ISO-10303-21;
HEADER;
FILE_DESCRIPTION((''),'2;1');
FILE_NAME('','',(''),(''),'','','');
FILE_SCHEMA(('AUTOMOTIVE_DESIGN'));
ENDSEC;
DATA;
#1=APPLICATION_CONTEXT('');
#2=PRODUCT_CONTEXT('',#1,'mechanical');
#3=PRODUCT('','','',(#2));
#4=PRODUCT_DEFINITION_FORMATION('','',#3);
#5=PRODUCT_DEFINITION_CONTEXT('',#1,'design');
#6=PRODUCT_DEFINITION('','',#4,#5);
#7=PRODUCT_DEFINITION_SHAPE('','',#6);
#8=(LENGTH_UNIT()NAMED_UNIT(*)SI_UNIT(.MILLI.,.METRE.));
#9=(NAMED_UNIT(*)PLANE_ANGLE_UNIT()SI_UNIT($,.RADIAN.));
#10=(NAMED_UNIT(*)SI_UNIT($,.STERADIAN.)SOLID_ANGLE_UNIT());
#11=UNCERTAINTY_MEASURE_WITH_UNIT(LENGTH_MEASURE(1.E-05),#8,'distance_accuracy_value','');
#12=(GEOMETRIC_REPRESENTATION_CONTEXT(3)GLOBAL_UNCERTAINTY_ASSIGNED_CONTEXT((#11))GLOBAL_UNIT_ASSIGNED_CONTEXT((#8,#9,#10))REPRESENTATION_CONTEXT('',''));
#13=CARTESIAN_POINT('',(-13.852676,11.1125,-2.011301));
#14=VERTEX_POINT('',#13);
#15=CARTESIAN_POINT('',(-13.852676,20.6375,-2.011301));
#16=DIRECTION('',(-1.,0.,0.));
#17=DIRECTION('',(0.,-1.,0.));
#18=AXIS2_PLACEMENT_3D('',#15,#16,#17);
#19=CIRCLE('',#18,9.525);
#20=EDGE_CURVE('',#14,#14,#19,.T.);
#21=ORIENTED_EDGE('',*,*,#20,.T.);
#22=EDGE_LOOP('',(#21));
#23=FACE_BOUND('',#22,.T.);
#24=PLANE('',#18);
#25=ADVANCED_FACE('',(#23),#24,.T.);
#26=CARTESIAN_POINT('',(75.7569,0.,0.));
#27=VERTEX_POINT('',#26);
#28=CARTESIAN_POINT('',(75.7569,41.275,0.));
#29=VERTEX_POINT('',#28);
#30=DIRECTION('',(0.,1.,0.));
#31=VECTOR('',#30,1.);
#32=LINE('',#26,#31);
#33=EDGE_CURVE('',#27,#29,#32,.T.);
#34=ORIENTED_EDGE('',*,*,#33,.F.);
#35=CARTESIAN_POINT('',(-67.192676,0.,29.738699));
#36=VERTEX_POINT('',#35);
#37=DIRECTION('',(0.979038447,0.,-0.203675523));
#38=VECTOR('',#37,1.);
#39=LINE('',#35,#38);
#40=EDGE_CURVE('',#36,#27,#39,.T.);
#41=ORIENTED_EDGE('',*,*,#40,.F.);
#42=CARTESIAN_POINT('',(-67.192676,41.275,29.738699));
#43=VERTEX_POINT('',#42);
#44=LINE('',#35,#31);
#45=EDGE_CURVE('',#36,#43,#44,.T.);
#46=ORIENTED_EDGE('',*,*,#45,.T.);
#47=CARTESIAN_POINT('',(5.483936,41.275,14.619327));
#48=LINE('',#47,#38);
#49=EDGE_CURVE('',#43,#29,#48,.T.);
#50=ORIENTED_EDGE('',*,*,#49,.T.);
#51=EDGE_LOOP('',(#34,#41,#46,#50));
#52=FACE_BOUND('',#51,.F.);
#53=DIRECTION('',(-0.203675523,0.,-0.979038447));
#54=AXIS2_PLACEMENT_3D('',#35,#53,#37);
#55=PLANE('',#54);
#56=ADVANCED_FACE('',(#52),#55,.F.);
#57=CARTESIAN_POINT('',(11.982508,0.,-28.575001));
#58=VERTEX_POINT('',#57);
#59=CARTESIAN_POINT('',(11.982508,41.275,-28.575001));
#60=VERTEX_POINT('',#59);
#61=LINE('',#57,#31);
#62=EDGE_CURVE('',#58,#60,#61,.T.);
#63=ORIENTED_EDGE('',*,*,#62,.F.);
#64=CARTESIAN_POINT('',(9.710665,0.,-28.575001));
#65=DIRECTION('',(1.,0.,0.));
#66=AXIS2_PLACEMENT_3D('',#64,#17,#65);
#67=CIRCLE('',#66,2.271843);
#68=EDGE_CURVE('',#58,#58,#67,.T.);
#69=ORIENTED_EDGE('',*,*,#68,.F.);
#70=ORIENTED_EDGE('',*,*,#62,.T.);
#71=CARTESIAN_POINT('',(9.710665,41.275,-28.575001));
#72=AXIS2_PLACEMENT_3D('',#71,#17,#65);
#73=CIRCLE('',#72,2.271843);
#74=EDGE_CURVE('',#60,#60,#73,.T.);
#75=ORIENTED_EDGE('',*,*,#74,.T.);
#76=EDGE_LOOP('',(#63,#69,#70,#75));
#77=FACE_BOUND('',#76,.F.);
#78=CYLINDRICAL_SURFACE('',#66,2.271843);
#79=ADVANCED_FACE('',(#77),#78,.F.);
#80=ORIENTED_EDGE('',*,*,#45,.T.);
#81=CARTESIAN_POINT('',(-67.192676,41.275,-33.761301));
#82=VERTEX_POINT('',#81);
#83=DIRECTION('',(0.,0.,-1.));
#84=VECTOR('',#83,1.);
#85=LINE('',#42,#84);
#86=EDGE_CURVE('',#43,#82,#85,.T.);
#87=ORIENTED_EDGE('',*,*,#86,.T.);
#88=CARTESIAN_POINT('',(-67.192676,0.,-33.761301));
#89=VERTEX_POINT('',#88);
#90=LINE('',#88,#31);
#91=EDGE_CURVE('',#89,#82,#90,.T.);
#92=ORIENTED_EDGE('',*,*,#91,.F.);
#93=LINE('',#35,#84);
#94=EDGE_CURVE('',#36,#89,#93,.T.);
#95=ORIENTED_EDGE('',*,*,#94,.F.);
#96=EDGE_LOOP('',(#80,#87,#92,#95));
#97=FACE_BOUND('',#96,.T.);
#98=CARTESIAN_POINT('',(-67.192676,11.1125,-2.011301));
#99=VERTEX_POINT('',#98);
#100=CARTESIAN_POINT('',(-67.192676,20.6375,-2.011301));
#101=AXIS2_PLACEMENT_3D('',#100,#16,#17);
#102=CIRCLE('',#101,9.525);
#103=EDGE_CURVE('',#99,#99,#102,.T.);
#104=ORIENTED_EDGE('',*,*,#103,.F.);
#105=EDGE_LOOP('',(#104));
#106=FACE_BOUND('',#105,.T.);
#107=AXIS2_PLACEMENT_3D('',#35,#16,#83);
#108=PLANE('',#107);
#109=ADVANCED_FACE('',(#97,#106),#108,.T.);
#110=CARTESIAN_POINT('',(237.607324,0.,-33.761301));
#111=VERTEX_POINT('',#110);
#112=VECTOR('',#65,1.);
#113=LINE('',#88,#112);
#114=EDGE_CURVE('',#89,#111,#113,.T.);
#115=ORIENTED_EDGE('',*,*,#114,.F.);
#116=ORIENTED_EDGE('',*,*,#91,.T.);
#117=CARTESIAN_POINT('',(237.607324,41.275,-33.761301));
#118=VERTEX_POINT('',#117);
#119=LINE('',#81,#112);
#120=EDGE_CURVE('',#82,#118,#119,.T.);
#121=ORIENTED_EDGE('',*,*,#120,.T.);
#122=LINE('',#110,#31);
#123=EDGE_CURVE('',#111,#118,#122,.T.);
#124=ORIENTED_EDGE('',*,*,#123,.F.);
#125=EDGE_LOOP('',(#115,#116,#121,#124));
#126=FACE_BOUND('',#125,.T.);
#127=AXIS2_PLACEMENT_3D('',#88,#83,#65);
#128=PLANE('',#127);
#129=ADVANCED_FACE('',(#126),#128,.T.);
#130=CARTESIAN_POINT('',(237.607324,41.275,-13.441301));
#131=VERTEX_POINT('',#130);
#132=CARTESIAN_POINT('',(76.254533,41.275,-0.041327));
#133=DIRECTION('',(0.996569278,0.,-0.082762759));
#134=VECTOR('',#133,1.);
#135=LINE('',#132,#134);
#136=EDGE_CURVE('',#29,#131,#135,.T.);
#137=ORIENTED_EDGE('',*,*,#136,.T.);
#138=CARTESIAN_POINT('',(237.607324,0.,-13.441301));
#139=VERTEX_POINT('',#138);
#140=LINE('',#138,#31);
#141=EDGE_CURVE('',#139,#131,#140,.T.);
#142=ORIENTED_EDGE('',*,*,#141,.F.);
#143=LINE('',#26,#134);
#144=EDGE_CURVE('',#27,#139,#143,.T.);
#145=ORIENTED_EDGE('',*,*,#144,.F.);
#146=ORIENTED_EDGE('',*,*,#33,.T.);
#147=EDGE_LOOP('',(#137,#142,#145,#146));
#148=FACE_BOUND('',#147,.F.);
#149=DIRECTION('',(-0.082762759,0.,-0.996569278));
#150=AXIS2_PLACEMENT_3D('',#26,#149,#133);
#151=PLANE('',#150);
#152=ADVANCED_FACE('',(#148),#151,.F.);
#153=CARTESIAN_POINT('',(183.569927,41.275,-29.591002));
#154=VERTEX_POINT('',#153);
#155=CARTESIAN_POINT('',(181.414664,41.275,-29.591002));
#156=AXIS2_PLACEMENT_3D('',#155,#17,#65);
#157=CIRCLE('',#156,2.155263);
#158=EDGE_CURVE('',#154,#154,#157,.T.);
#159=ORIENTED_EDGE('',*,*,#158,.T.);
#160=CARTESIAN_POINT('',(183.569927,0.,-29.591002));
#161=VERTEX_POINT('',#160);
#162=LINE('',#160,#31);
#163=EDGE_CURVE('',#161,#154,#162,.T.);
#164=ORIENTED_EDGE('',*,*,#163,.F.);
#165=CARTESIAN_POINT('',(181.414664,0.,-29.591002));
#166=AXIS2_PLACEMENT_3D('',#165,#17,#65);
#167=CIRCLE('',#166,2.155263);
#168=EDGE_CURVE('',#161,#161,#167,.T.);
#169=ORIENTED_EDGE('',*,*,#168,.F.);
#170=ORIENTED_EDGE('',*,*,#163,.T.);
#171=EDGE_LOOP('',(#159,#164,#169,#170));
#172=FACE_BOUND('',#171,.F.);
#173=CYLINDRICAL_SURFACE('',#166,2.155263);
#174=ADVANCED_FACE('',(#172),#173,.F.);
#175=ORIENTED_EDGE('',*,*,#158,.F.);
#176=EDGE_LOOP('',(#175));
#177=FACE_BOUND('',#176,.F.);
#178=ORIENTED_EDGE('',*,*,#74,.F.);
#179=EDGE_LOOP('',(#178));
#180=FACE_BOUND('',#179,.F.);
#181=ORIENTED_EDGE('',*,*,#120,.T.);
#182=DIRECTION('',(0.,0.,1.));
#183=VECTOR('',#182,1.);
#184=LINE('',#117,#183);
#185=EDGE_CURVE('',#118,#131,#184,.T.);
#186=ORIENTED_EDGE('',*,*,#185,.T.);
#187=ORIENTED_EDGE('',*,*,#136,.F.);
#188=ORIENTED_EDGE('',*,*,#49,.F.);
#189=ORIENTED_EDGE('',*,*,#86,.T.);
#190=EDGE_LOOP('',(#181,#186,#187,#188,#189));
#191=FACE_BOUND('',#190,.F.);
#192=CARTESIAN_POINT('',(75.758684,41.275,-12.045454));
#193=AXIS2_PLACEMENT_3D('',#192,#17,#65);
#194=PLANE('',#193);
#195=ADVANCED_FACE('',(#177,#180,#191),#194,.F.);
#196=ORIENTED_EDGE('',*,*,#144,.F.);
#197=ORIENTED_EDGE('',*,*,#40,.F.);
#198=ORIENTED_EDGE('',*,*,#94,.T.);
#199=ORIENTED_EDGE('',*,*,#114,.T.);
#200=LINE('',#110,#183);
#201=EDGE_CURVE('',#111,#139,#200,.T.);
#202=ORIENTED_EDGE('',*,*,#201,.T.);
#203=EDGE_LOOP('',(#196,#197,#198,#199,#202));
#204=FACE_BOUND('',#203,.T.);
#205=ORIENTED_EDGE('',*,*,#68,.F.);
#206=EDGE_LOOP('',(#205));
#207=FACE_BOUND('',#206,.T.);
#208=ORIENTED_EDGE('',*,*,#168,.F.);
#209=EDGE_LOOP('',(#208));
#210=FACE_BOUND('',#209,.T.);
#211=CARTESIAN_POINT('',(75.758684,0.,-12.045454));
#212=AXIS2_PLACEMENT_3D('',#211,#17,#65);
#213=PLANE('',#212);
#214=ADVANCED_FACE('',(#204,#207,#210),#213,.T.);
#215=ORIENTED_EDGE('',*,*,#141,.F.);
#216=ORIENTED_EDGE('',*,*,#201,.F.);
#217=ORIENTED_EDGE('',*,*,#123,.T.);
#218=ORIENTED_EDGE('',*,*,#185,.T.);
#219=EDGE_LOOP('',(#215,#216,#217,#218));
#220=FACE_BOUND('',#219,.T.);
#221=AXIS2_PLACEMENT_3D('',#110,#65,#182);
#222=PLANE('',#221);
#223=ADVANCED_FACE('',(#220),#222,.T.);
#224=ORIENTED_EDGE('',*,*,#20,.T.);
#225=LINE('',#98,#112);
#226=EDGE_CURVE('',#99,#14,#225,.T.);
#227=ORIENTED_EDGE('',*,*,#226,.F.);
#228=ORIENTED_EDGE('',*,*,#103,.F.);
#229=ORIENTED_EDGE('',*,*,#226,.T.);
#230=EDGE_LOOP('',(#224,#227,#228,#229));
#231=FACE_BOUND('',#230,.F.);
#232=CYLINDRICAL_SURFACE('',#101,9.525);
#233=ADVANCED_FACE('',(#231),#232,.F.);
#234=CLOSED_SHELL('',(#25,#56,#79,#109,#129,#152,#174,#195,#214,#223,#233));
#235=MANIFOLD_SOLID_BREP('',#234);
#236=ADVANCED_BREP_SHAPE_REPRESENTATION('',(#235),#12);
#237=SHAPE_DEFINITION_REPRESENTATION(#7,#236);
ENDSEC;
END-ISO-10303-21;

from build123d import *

# Parameters (mm, degrees)
F1_DEPTH = 41.275
F2_R     = 9.525
F3_DEPTH = 53.34
F5_DEPTH = 55.372
F6_R     = 2.271843
F7_DEPTH = 106.934
F8_R     = 2.155263
F9_DEPTH = 91.948


with BuildPart() as f1:
    # F0 (on Front) → F1 (new body)
    with BuildSketch(Plane.XZ):
        Polygon((237.607324, -13.441301), (-67.192676, 29.738699), (-67.192676, -33.761301), (237.607324, -33.761301), align=None)
    extrude(amount=-F1_DEPTH)

    # F2 (on face) → F3 (cut)
    with BuildSketch(Plane(origin=(-67.192676, 0, 0), x_dir=(0, -1, 0), z_dir=(-1, 0, 0))):
        with Locations((-20.6375, -2.011301)):
            Circle(F2_R)
    extrude(amount=-F3_DEPTH, mode=Mode.SUBTRACT)

    # F4 (on face) → F5 (cut)
    with BuildSketch(Plane.XZ):
        Polygon((237.607324, -13.441301), (-67.192676, 29.738699), (75.7569, 0), align=None)
    extrude(amount=-F5_DEPTH, mode=Mode.SUBTRACT)

    # F6 (on Front) → F7 (cut)
    with BuildSketch(Plane.XZ):
        with Locations((9.710665, -28.575001)):
            Circle(F6_R)
    extrude(amount=-F7_DEPTH, mode=Mode.SUBTRACT)

    # F8 (on face) → F9 (cut)
    with BuildSketch(Plane.XZ):
        with Locations((181.414664, -29.591002)):
            Circle(F8_R)
    extrude(amount=-F9_DEPTH, mode=Mode.SUBTRACT)


solid = f1.part
